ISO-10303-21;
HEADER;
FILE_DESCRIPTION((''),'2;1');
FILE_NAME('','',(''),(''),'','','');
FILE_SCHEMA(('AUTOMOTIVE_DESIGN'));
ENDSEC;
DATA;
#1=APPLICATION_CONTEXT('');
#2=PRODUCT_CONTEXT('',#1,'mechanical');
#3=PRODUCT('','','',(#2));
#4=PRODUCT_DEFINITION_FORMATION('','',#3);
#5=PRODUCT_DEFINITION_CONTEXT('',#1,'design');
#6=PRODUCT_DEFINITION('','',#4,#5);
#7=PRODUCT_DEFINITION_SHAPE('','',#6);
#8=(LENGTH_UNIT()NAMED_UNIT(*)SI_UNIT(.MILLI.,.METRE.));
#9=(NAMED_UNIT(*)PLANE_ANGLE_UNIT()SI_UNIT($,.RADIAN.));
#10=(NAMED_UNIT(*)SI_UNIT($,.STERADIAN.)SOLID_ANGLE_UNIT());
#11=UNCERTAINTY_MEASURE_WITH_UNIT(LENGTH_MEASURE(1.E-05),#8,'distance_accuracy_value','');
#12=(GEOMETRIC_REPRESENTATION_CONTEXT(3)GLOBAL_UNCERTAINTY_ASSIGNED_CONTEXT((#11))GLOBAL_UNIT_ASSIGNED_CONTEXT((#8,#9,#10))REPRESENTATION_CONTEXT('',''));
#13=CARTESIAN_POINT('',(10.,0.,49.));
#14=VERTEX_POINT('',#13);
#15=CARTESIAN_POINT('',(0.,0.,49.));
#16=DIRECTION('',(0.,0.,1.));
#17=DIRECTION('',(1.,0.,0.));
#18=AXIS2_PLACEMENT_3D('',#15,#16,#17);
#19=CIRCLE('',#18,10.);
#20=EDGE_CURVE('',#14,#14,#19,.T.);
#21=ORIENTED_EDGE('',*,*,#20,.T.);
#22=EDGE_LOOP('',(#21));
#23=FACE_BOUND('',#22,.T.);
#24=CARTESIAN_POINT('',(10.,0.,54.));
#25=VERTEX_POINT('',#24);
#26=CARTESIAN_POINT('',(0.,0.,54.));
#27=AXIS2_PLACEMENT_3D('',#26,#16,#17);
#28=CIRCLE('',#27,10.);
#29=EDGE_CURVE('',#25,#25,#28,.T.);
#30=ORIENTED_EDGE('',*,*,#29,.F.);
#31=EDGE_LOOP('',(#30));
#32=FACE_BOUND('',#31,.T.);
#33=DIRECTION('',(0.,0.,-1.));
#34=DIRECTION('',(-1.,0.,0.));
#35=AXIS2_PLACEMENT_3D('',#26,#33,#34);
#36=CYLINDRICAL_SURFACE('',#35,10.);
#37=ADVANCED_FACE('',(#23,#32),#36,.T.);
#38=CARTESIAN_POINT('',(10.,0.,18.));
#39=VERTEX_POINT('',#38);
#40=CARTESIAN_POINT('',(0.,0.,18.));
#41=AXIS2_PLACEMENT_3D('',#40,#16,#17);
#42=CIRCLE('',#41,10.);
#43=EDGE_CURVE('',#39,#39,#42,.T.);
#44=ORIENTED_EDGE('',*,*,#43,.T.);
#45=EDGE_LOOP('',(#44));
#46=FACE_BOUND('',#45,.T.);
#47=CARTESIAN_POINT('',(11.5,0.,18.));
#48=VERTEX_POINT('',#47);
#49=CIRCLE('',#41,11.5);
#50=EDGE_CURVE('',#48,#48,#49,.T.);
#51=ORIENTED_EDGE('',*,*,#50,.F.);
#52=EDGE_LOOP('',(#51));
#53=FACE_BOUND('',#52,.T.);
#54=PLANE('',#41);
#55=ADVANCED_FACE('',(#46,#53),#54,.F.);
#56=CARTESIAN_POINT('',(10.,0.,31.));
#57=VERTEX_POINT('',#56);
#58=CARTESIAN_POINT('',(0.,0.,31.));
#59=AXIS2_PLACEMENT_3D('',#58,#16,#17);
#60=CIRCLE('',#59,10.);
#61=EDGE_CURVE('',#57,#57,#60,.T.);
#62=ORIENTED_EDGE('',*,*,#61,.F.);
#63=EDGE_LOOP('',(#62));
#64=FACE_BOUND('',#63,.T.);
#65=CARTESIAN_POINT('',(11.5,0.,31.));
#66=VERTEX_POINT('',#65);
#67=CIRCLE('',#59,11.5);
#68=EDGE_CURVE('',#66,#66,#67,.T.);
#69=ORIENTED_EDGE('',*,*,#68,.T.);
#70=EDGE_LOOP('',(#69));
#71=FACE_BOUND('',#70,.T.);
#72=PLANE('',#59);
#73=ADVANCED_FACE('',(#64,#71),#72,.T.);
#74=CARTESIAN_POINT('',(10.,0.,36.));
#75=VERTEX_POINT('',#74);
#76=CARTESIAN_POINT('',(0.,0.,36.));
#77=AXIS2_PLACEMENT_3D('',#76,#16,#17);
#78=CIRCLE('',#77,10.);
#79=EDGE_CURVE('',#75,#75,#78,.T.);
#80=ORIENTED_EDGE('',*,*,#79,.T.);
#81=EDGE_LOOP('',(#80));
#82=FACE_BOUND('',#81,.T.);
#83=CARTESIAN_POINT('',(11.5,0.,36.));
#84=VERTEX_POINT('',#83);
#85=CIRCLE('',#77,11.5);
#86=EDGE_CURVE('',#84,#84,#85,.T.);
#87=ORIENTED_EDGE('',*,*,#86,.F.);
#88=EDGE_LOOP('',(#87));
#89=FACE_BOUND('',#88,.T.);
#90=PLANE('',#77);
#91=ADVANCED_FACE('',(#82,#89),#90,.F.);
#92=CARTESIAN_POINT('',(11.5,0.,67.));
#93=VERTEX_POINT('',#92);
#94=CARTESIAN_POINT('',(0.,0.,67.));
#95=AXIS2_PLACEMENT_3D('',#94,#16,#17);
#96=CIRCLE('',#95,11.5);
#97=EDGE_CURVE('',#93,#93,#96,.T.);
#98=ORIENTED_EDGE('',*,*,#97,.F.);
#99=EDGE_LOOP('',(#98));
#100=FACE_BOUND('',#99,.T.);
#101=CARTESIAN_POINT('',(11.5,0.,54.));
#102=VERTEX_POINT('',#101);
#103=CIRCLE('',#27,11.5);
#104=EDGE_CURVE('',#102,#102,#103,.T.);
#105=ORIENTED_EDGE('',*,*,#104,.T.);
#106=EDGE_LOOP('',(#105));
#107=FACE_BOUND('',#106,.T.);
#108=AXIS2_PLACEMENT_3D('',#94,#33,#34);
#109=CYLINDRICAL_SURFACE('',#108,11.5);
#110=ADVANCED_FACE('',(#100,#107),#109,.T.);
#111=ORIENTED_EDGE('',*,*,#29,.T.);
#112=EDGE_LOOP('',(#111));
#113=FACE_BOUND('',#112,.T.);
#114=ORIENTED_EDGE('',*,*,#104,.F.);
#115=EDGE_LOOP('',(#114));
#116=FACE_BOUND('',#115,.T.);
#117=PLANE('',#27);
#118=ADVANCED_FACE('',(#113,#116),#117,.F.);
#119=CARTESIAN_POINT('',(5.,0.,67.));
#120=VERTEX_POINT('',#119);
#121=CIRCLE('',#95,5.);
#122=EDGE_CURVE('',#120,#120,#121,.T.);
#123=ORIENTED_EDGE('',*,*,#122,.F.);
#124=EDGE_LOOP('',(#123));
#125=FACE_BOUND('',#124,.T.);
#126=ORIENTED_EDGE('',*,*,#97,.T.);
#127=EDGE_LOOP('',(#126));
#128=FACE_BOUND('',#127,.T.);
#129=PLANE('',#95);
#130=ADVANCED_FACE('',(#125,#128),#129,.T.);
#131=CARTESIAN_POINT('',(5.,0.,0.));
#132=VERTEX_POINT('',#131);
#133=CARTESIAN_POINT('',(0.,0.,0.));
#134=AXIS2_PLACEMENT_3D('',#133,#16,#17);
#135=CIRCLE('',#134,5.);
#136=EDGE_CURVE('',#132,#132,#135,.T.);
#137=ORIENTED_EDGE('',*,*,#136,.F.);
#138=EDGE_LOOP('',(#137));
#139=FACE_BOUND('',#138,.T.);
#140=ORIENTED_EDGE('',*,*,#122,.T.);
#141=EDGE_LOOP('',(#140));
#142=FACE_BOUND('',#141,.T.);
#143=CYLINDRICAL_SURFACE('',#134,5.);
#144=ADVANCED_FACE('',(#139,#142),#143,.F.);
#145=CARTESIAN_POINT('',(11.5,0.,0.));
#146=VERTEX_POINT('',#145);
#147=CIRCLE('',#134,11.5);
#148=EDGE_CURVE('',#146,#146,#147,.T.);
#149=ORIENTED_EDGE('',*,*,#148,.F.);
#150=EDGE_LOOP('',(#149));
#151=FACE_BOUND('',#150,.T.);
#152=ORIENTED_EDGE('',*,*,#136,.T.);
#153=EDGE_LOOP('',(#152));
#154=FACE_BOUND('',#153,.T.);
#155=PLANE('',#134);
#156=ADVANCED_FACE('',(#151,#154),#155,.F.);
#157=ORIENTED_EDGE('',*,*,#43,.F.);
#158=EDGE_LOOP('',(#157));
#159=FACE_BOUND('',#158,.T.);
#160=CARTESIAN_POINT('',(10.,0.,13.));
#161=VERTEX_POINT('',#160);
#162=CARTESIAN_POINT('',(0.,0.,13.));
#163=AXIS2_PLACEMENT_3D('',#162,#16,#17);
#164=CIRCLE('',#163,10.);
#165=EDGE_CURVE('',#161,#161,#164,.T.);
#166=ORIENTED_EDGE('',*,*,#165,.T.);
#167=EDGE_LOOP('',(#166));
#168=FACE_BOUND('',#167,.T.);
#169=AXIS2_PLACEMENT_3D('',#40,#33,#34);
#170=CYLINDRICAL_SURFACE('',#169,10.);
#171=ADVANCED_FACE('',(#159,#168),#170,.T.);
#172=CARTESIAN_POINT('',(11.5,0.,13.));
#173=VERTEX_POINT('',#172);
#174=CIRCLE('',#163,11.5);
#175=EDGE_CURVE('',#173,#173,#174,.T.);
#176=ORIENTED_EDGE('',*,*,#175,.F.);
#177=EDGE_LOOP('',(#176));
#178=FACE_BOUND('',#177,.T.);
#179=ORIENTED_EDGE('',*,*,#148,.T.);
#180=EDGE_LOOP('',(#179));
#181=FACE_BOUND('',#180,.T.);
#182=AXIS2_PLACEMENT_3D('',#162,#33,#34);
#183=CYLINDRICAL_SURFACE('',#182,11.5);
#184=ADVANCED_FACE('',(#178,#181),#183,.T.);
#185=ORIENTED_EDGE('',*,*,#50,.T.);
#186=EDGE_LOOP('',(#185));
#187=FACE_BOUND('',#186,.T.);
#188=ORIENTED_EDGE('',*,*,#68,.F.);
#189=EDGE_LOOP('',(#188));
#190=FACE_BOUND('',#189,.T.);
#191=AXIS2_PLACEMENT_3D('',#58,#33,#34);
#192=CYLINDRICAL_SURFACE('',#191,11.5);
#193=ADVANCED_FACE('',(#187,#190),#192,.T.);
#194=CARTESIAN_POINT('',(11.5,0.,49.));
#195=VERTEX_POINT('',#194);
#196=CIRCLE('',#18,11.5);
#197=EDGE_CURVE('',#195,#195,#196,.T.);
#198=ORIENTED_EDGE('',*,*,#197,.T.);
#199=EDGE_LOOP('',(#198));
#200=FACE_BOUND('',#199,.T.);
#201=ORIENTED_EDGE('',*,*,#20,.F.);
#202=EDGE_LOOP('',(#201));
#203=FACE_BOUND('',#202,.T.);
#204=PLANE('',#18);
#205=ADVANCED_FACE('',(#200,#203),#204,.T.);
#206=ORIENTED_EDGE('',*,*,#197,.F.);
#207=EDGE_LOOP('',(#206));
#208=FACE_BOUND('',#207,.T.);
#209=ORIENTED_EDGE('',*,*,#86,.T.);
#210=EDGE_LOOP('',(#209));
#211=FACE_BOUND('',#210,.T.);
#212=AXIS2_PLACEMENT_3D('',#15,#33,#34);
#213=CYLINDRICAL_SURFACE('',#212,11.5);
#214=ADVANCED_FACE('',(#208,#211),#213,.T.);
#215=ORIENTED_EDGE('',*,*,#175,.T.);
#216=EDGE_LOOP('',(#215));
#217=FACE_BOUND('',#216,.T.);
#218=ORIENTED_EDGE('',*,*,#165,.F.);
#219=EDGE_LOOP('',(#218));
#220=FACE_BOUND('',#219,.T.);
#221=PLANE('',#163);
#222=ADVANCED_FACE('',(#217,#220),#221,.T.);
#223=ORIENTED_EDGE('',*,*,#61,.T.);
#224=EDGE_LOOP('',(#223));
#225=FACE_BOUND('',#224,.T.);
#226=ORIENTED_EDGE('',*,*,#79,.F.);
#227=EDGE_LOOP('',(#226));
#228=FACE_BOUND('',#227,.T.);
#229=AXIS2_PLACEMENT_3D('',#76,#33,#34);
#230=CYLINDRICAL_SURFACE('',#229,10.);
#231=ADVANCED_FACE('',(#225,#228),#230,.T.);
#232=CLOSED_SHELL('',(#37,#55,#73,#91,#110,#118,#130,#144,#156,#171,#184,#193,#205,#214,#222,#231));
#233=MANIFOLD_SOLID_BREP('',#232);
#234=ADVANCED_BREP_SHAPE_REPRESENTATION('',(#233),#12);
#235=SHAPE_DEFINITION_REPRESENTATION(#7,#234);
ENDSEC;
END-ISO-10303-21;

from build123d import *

# Parameters (mm, degrees)
SKETCH1_R           = 11.5
BOSS_EXTRUDE1_DEPTH = 13
SKETCH2_R           = 10
BOSS_EXTRUDE2_DEPTH = 5
SKETCH3_R           = 11.5
BOSS_EXTRUDE3_DEPTH = 13
SKETCH4_R           = 10
BOSS_EXTRUDE4_DEPTH = 5
SKETCH5_R           = 11.5
BOSS_EXTRUDE5_DEPTH = 13
SKETCH6_R           = 10
BOSS_EXTRUDE6_DEPTH = 5
SKETCH7_R           = 11.5
BOSS_EXTRUDE7_DEPTH = 13
SKETCH8_R           = 5
CUT_EXTRUDE1_DEPTH  = 68


with BuildPart() as part:
    # Sketch1 → Boss-Extrude1 (new body)
    with BuildSketch(Plane.XY):
        Circle(SKETCH1_R)
    extrude(amount=BOSS_EXTRUDE1_DEPTH)

    # Sketch2 → Boss-Extrude2 (add)
    with BuildSketch(Plane.XY.offset(13)):
        Circle(SKETCH2_R)
    extrude(amount=BOSS_EXTRUDE2_DEPTH)

    # Sketch3 → Boss-Extrude3 (add)
    with BuildSketch(Plane.XY.offset(18)):
        Circle(SKETCH3_R)
    extrude(amount=BOSS_EXTRUDE3_DEPTH)

    # Sketch4 → Boss-Extrude4 (add)
    with BuildSketch(Plane.XY.offset(31)):
        Circle(SKETCH4_R)
    extrude(amount=BOSS_EXTRUDE4_DEPTH)

    # Sketch5 → Boss-Extrude5 (add)
    with BuildSketch(Plane.XY.offset(36)):
        Circle(SKETCH5_R)
    extrude(amount=BOSS_EXTRUDE5_DEPTH)

    # Sketch6 → Boss-Extrude6 (add)
    with BuildSketch(Plane.XY.offset(49)):
        Circle(SKETCH6_R)
    extrude(amount=BOSS_EXTRUDE6_DEPTH)

    # Sketch7 → Boss-Extrude7 (add)
    with BuildSketch(Plane.XY.offset(54)):
        Circle(SKETCH7_R)
    extrude(amount=BOSS_EXTRUDE7_DEPTH)

    # Sketch8 → Cut-Extrude1 (cut, through all)
    with BuildSketch(Plane.XY.offset(67)):
        Circle(SKETCH8_R)
    extrude(amount=-CUT_EXTRUDE1_DEPTH, mode=Mode.SUBTRACT)


solid = part.part
